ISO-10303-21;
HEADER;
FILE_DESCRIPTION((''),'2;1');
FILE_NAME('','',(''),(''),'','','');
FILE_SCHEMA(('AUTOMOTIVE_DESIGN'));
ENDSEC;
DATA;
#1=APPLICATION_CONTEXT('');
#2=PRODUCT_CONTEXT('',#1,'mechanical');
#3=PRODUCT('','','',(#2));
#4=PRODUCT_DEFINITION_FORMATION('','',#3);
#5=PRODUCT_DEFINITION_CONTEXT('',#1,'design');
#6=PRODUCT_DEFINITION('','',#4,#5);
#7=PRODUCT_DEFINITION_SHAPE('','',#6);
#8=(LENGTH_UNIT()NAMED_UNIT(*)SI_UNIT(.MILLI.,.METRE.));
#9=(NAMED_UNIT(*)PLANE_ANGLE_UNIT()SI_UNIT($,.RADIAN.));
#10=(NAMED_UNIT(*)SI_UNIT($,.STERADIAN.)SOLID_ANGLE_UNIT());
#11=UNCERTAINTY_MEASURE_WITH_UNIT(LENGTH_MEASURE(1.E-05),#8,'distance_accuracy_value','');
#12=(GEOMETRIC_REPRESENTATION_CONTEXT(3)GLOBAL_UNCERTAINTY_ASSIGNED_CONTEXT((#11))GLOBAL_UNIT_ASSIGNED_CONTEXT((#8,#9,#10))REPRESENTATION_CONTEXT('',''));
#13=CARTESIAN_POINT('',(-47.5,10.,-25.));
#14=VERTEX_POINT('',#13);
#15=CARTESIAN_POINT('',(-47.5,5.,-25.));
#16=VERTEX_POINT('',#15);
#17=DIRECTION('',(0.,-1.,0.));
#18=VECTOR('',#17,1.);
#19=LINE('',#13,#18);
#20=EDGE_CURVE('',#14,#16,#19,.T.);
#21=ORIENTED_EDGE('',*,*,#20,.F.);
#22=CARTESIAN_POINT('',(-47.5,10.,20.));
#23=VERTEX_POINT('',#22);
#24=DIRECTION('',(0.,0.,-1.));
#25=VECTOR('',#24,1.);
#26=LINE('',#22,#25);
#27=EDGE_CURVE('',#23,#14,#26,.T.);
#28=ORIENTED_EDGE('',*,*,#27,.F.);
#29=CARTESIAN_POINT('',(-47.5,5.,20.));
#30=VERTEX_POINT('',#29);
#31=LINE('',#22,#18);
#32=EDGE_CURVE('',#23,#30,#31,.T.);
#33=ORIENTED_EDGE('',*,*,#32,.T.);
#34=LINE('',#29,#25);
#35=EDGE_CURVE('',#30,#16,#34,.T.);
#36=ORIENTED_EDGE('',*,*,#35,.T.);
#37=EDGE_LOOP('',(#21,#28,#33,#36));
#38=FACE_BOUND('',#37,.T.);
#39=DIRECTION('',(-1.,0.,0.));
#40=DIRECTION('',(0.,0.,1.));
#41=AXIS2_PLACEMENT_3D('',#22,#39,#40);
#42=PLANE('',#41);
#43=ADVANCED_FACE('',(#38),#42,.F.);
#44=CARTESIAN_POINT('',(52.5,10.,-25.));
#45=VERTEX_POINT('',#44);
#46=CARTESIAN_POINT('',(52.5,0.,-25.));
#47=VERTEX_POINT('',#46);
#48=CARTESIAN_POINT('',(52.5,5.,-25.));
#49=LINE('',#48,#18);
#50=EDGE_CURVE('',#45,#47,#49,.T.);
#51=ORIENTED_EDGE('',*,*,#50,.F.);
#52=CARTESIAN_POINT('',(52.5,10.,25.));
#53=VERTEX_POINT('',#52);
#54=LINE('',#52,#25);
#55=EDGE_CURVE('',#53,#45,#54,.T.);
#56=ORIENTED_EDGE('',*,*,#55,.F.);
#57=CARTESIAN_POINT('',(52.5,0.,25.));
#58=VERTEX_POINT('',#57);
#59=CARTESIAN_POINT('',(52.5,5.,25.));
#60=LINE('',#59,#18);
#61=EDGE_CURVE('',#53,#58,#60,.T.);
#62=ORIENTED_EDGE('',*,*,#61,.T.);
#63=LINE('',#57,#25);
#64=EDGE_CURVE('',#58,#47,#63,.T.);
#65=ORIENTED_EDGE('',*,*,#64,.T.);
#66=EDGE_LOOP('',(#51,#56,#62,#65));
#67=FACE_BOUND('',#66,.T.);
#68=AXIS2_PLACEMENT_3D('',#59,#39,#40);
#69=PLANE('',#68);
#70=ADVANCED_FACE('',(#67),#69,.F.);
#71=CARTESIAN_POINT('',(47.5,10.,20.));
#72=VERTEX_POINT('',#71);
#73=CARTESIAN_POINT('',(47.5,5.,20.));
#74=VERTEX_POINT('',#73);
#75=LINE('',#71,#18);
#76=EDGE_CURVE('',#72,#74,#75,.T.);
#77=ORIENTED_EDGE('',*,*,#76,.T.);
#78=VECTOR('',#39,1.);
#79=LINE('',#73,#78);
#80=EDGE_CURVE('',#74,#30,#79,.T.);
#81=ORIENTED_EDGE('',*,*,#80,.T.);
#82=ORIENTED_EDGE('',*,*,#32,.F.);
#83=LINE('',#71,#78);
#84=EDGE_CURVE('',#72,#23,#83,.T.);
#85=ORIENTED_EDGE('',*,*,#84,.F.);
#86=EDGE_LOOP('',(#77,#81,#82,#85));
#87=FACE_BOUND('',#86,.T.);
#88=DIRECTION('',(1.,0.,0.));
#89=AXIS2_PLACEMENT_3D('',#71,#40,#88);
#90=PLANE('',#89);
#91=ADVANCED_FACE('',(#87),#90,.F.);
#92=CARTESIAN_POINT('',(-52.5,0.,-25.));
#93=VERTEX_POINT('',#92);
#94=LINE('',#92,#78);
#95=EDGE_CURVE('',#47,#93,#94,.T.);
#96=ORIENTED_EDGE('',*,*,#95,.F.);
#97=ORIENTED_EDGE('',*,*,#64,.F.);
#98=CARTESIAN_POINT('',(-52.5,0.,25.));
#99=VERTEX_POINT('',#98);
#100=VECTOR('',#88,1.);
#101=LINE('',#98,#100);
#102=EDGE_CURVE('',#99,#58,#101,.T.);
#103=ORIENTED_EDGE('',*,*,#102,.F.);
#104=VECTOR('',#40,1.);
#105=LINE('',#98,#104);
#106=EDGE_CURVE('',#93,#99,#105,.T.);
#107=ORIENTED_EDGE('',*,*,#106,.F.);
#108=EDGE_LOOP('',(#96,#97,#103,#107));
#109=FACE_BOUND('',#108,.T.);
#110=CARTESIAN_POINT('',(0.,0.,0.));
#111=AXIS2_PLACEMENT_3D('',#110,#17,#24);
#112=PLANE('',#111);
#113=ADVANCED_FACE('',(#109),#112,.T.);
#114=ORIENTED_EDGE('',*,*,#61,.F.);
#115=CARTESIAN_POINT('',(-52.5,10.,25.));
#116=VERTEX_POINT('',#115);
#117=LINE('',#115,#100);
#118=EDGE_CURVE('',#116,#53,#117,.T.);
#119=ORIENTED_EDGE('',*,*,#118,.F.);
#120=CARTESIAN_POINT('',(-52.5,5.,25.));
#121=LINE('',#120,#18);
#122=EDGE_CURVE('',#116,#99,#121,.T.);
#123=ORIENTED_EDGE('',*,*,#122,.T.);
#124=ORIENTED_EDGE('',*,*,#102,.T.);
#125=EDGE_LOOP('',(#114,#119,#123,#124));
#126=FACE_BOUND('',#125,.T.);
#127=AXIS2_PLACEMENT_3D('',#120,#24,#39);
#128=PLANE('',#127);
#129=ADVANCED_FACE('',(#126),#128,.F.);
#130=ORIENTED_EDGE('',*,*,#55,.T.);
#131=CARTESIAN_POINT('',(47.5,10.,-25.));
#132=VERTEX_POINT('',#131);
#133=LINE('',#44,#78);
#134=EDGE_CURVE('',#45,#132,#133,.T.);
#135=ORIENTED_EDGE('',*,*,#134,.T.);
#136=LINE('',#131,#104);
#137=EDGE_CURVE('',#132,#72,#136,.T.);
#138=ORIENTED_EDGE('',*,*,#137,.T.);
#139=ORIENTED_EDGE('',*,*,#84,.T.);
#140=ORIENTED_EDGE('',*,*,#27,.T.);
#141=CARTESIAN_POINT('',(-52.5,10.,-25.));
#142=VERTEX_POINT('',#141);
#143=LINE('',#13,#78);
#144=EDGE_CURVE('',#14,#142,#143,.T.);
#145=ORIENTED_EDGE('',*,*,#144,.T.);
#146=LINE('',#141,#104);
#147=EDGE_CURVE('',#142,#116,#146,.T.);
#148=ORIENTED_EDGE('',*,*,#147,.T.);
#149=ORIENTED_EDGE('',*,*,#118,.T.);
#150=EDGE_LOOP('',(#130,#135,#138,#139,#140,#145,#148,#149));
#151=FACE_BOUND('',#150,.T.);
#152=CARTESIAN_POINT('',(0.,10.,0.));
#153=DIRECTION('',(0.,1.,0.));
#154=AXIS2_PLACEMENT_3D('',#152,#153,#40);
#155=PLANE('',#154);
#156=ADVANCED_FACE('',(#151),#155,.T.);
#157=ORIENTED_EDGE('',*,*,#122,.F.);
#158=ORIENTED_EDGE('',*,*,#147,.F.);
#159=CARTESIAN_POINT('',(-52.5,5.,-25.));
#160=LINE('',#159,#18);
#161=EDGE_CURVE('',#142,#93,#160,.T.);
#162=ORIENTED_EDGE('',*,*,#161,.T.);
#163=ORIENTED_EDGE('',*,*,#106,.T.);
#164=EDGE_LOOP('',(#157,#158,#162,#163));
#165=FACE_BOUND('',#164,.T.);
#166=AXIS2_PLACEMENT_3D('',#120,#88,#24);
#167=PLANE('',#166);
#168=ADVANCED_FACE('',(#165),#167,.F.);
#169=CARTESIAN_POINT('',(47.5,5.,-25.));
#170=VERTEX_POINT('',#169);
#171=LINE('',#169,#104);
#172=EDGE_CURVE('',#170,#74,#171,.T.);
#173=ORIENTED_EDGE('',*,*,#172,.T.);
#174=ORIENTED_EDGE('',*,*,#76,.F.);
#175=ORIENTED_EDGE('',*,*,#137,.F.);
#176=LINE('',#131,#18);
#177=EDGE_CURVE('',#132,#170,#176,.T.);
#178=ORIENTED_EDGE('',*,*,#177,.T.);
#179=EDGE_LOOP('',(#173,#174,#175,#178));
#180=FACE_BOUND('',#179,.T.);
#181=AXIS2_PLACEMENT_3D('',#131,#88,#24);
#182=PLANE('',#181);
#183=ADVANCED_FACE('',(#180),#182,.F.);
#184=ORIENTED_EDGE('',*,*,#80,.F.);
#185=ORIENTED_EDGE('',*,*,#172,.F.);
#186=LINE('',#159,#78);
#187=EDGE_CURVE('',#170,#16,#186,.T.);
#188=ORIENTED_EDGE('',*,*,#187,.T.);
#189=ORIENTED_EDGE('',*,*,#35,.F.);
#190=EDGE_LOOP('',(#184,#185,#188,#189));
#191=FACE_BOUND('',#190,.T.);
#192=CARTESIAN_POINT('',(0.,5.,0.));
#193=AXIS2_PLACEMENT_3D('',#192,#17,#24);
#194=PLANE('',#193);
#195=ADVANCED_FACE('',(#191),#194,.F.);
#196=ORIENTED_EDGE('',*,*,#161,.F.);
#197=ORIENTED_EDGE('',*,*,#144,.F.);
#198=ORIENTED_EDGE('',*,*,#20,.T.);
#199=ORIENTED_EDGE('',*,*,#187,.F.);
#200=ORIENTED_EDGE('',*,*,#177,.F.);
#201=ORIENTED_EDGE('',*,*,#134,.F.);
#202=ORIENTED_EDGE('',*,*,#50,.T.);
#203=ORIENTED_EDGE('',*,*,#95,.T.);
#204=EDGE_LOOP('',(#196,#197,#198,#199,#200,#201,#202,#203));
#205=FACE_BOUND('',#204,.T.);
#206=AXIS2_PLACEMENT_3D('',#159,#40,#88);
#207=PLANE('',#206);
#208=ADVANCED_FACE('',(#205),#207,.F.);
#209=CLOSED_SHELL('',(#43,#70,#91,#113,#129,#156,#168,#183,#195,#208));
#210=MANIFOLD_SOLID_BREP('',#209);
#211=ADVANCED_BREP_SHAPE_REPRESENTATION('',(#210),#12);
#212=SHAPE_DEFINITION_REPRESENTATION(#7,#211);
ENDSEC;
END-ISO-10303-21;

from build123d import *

# Parameters (mm, degrees)
SKETCH1_W           = 105
SKETCH1_H           = 50
BOSS_EXTRUDE1_DEPTH = 5
BOSS_EXTRUDE2_DEPTH = 5


with BuildPart() as part:
    # Sketch1 → Boss-Extrude1 (new body)
    with BuildSketch(Plane(origin=(0, 0, 0), x_dir=(1, 0, 0), z_dir=(0, 1, 0))):
        Rectangle(SKETCH1_W, SKETCH1_H)
    extrude(amount=BOSS_EXTRUDE1_DEPTH)

    # Sketch2 → Boss-Extrude2 (add)
    with BuildSketch(Plane(origin=(0, 5, 0), x_dir=(1, 0, 0), z_dir=(0, 1, 0))):
        Polygon((-52.5, 25), (-52.5, -25), (52.5, -25), (52.5, 25), (47.5, 25), (47.5, -20), (-47.5, -20), (-47.5, 25), align=None)
    extrude(amount=BOSS_EXTRUDE2_DEPTH)


solid = part.part
